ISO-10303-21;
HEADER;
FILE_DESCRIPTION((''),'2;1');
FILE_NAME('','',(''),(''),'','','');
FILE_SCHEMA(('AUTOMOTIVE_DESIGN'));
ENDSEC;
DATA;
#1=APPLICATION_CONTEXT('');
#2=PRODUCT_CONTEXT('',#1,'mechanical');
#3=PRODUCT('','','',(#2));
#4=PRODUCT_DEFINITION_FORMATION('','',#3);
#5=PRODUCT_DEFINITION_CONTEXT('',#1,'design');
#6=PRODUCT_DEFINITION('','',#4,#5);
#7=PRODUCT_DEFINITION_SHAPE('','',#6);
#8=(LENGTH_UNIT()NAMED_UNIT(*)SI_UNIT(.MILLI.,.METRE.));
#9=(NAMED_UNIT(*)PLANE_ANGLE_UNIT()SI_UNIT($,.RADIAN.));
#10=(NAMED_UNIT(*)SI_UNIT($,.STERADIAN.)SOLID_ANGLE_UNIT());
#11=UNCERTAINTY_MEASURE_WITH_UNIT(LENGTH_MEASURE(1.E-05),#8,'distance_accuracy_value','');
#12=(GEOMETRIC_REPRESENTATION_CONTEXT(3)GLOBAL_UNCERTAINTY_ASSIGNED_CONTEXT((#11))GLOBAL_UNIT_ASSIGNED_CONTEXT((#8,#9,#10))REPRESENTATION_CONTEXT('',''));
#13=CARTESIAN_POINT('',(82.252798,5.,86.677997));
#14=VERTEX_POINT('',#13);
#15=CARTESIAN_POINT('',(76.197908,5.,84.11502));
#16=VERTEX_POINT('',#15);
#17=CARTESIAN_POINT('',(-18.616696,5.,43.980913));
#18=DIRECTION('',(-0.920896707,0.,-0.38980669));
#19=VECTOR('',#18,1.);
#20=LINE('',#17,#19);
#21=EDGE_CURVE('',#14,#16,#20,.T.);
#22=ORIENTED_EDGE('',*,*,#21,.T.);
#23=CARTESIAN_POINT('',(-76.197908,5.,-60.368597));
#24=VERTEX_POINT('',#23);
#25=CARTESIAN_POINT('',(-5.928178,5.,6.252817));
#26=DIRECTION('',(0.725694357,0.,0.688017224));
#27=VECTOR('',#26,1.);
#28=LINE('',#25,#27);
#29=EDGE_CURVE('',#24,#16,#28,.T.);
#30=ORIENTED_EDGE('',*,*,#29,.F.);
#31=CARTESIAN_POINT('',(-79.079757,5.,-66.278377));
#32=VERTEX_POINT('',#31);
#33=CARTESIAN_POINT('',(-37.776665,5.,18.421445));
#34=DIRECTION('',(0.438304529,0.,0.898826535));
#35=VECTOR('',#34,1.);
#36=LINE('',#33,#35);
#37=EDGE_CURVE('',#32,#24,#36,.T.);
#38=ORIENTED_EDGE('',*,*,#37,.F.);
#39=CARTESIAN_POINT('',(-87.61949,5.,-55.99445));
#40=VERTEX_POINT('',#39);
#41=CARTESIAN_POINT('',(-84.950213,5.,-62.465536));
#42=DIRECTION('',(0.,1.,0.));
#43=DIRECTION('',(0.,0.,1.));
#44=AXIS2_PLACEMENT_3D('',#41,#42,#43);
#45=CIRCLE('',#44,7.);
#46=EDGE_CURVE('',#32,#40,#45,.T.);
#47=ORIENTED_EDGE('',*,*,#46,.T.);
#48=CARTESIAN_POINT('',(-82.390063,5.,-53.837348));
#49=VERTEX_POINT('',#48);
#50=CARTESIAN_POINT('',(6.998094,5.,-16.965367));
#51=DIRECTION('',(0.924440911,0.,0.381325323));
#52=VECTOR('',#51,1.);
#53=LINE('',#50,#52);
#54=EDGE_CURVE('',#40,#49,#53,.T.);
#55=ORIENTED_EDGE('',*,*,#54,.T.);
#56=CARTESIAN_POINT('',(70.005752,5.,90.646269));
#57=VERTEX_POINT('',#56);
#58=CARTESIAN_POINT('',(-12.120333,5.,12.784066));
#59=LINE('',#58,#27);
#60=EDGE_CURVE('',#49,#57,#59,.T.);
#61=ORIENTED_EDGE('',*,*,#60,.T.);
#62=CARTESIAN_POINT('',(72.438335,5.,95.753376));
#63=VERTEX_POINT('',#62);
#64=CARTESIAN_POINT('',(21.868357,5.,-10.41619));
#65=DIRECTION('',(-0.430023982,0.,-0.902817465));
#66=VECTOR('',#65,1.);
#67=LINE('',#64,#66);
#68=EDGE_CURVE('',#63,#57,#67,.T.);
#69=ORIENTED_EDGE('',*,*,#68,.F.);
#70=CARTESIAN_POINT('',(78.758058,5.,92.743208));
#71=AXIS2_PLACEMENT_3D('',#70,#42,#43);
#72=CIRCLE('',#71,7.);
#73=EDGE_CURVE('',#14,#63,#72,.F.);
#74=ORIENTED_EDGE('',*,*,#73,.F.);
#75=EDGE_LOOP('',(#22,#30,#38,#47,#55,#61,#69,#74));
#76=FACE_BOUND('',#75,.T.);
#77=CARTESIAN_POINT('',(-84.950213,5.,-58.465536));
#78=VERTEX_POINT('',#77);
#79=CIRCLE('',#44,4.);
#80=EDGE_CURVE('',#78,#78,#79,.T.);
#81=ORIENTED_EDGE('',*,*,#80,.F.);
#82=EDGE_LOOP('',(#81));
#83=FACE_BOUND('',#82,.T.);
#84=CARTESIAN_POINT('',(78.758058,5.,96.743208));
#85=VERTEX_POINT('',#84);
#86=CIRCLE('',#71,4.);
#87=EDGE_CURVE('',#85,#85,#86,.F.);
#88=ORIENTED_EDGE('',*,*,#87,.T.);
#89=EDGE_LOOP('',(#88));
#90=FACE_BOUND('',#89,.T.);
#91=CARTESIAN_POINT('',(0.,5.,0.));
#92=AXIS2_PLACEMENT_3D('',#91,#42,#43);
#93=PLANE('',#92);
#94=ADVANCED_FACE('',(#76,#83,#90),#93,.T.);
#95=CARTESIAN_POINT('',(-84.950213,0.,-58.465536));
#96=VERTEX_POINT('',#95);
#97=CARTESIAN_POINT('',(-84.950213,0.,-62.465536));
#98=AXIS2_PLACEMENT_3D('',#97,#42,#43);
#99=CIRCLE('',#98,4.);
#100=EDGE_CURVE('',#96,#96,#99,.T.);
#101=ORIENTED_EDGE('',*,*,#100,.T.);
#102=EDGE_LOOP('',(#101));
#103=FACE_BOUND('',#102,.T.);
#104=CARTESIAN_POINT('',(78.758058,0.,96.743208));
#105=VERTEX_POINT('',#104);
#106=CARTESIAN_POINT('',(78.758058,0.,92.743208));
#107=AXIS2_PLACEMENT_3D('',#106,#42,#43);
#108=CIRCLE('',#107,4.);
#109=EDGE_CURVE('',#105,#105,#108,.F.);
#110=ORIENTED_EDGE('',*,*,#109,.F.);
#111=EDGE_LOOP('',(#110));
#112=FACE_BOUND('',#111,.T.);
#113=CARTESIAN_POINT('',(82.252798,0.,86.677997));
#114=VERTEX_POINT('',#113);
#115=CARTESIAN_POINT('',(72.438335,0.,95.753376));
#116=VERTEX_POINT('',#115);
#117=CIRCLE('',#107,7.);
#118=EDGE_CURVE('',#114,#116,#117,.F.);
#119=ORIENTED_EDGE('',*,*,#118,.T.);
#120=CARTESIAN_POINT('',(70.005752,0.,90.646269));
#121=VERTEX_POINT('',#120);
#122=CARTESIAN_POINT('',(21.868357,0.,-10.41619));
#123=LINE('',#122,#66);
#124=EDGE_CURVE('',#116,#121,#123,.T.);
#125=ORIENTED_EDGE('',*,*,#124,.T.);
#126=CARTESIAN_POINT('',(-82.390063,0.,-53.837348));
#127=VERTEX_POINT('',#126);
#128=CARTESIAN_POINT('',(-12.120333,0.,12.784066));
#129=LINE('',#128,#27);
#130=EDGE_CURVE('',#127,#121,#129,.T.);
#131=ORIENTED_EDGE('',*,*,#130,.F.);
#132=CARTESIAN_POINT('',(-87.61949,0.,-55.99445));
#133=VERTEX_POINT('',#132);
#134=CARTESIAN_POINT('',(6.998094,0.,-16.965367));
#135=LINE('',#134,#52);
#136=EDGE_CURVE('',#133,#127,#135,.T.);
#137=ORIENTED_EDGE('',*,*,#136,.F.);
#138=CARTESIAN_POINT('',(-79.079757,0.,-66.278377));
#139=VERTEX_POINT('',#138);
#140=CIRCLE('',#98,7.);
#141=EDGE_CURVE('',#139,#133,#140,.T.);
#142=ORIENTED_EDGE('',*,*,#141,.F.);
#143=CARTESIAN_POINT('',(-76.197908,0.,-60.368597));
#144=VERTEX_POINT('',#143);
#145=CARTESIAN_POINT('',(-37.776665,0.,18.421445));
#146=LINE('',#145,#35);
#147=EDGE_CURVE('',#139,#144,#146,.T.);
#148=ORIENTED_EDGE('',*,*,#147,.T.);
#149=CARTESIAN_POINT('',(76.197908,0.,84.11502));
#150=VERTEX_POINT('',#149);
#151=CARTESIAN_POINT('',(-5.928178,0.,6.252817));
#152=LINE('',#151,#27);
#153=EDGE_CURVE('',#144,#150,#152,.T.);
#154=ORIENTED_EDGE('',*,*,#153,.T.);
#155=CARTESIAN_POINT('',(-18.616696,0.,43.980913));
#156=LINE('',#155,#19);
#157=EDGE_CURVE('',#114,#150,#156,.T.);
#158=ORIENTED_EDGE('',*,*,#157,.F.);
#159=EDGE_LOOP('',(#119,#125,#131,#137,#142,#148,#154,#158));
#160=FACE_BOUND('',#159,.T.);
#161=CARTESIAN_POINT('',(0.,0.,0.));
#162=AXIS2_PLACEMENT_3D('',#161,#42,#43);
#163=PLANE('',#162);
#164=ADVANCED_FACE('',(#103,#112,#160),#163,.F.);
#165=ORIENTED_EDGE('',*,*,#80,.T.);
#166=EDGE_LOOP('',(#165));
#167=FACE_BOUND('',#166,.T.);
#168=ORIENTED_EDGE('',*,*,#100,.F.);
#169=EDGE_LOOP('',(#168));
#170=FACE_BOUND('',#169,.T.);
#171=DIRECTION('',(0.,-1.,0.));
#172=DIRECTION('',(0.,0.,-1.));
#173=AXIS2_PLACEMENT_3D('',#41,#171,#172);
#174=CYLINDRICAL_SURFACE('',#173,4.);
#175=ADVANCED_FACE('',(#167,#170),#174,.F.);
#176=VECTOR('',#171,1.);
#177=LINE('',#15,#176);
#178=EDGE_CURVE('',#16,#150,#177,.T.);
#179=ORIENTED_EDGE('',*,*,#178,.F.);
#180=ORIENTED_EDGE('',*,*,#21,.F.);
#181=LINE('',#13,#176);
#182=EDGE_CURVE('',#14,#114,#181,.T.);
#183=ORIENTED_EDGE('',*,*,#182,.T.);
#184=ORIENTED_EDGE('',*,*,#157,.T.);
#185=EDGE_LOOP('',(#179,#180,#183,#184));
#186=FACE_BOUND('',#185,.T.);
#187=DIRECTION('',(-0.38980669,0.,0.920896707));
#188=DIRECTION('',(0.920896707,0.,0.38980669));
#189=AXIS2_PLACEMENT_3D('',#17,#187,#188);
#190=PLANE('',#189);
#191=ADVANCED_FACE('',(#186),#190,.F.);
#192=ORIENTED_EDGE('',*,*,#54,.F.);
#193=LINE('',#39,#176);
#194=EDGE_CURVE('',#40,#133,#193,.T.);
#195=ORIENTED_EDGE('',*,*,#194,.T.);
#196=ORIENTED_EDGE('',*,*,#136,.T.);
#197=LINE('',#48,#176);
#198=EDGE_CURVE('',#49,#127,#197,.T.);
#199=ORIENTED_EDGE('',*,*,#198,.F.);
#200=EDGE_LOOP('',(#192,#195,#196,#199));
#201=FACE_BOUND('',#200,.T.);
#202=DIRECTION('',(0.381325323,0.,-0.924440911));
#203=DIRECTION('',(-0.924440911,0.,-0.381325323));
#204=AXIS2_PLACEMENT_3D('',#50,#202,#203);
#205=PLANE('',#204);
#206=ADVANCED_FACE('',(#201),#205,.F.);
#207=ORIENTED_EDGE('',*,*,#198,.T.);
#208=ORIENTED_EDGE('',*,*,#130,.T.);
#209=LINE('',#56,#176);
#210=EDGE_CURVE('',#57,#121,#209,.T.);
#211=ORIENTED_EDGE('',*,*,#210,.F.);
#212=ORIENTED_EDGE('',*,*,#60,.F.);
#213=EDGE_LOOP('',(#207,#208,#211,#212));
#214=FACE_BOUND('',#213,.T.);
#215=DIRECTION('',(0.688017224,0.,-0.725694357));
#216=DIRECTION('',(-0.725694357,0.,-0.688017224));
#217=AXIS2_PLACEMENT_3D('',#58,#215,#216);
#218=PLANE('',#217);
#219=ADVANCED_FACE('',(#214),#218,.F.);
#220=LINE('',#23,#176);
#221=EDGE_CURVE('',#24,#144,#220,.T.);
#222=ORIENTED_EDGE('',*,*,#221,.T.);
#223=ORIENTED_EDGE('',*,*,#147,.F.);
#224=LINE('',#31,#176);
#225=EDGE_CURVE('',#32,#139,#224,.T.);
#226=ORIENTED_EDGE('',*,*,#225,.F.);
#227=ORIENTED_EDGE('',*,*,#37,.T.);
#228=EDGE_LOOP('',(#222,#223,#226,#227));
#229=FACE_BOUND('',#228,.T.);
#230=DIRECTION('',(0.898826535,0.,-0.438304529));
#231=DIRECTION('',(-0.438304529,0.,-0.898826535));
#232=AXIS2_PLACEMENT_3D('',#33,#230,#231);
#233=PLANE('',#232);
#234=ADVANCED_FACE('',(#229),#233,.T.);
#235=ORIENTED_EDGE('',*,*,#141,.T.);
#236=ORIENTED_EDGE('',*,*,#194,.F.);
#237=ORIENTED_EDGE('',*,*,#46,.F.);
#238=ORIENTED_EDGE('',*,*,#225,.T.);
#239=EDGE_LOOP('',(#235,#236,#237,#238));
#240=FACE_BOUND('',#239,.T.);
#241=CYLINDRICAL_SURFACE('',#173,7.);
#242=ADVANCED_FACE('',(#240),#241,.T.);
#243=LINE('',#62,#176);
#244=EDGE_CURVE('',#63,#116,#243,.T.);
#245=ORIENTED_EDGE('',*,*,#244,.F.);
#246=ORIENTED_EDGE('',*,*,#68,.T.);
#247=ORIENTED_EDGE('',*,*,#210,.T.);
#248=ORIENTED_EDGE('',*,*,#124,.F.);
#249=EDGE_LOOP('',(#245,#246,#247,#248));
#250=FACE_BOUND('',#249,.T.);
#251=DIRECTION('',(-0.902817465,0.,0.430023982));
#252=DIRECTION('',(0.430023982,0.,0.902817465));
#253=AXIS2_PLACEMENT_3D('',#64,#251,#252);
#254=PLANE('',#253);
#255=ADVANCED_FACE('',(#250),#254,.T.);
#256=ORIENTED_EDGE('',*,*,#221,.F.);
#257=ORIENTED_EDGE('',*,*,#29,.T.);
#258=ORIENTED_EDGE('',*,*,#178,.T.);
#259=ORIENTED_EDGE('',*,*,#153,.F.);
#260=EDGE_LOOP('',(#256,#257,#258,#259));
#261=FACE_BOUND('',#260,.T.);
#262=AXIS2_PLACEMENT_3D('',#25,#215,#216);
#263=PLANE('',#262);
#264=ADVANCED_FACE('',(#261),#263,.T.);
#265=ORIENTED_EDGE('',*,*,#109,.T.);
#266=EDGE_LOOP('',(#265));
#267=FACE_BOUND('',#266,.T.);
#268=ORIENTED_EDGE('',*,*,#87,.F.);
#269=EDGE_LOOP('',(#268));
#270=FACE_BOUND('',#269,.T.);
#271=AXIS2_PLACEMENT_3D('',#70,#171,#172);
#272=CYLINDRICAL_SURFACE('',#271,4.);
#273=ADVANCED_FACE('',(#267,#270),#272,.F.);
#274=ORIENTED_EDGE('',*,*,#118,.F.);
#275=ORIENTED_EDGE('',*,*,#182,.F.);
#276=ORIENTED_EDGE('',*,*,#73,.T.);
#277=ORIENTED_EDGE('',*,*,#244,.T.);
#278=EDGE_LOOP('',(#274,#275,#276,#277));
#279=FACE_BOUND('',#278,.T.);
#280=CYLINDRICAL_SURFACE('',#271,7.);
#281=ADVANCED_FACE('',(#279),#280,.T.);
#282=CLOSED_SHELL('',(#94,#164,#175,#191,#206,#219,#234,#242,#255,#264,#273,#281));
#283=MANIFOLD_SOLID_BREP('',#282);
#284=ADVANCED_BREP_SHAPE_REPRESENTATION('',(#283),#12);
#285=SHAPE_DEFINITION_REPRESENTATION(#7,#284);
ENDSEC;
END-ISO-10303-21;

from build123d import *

# Parameters (mm, degrees)
SKETCH_1_R      = 4
EXTRUDE_1_DEPTH = 5


with BuildPart() as part:
    # 草图1 → 凸台-拉伸1 (new body)
    with BuildSketch(Plane(origin=(0, 0, 0), x_dir=(1, 0, 0), z_dir=(0, 1, 0))):
        with BuildLine():
            Line((-76.197907508, 60.368596958), (-79.079757453, 66.278376643))
            ThreePointArc((-79.079757453, 66.278376643), (-90.335533029, 66.937484633), (-87.619490015, 55.994449518))
            Line((-87.619490015, 55.994449518), (-82.39006252, 53.837347743))
            Line((-82.39006252, 53.837347743), (70.005752496, -90.646269203))
            Line((70.005752496, -90.646269203), (72.438335487, -95.753376015))
            ThreePointArc((72.438335487, -95.753376015), (83.510505182, -97.882687035), (82.252798454, -86.677996903))
            Line((82.252798454, -86.677996903), (76.197907508, -84.115019988))
            Line((76.197907508, -84.115019988), (-76.197907508, 60.368596958))
        make_face()
        with Locations(Location((-84.950212753, 62.465535895, 0), (0, 0, 270))):
            Circle(SKETCH_1_R, mode=Mode.SUBTRACT)
        with Locations(Location((78.758057741, -92.74320814, 0), (0, 0, 270))):
            Circle(SKETCH_1_R, mode=Mode.SUBTRACT)
    extrude(amount=EXTRUDE_1_DEPTH)


solid = part.part
